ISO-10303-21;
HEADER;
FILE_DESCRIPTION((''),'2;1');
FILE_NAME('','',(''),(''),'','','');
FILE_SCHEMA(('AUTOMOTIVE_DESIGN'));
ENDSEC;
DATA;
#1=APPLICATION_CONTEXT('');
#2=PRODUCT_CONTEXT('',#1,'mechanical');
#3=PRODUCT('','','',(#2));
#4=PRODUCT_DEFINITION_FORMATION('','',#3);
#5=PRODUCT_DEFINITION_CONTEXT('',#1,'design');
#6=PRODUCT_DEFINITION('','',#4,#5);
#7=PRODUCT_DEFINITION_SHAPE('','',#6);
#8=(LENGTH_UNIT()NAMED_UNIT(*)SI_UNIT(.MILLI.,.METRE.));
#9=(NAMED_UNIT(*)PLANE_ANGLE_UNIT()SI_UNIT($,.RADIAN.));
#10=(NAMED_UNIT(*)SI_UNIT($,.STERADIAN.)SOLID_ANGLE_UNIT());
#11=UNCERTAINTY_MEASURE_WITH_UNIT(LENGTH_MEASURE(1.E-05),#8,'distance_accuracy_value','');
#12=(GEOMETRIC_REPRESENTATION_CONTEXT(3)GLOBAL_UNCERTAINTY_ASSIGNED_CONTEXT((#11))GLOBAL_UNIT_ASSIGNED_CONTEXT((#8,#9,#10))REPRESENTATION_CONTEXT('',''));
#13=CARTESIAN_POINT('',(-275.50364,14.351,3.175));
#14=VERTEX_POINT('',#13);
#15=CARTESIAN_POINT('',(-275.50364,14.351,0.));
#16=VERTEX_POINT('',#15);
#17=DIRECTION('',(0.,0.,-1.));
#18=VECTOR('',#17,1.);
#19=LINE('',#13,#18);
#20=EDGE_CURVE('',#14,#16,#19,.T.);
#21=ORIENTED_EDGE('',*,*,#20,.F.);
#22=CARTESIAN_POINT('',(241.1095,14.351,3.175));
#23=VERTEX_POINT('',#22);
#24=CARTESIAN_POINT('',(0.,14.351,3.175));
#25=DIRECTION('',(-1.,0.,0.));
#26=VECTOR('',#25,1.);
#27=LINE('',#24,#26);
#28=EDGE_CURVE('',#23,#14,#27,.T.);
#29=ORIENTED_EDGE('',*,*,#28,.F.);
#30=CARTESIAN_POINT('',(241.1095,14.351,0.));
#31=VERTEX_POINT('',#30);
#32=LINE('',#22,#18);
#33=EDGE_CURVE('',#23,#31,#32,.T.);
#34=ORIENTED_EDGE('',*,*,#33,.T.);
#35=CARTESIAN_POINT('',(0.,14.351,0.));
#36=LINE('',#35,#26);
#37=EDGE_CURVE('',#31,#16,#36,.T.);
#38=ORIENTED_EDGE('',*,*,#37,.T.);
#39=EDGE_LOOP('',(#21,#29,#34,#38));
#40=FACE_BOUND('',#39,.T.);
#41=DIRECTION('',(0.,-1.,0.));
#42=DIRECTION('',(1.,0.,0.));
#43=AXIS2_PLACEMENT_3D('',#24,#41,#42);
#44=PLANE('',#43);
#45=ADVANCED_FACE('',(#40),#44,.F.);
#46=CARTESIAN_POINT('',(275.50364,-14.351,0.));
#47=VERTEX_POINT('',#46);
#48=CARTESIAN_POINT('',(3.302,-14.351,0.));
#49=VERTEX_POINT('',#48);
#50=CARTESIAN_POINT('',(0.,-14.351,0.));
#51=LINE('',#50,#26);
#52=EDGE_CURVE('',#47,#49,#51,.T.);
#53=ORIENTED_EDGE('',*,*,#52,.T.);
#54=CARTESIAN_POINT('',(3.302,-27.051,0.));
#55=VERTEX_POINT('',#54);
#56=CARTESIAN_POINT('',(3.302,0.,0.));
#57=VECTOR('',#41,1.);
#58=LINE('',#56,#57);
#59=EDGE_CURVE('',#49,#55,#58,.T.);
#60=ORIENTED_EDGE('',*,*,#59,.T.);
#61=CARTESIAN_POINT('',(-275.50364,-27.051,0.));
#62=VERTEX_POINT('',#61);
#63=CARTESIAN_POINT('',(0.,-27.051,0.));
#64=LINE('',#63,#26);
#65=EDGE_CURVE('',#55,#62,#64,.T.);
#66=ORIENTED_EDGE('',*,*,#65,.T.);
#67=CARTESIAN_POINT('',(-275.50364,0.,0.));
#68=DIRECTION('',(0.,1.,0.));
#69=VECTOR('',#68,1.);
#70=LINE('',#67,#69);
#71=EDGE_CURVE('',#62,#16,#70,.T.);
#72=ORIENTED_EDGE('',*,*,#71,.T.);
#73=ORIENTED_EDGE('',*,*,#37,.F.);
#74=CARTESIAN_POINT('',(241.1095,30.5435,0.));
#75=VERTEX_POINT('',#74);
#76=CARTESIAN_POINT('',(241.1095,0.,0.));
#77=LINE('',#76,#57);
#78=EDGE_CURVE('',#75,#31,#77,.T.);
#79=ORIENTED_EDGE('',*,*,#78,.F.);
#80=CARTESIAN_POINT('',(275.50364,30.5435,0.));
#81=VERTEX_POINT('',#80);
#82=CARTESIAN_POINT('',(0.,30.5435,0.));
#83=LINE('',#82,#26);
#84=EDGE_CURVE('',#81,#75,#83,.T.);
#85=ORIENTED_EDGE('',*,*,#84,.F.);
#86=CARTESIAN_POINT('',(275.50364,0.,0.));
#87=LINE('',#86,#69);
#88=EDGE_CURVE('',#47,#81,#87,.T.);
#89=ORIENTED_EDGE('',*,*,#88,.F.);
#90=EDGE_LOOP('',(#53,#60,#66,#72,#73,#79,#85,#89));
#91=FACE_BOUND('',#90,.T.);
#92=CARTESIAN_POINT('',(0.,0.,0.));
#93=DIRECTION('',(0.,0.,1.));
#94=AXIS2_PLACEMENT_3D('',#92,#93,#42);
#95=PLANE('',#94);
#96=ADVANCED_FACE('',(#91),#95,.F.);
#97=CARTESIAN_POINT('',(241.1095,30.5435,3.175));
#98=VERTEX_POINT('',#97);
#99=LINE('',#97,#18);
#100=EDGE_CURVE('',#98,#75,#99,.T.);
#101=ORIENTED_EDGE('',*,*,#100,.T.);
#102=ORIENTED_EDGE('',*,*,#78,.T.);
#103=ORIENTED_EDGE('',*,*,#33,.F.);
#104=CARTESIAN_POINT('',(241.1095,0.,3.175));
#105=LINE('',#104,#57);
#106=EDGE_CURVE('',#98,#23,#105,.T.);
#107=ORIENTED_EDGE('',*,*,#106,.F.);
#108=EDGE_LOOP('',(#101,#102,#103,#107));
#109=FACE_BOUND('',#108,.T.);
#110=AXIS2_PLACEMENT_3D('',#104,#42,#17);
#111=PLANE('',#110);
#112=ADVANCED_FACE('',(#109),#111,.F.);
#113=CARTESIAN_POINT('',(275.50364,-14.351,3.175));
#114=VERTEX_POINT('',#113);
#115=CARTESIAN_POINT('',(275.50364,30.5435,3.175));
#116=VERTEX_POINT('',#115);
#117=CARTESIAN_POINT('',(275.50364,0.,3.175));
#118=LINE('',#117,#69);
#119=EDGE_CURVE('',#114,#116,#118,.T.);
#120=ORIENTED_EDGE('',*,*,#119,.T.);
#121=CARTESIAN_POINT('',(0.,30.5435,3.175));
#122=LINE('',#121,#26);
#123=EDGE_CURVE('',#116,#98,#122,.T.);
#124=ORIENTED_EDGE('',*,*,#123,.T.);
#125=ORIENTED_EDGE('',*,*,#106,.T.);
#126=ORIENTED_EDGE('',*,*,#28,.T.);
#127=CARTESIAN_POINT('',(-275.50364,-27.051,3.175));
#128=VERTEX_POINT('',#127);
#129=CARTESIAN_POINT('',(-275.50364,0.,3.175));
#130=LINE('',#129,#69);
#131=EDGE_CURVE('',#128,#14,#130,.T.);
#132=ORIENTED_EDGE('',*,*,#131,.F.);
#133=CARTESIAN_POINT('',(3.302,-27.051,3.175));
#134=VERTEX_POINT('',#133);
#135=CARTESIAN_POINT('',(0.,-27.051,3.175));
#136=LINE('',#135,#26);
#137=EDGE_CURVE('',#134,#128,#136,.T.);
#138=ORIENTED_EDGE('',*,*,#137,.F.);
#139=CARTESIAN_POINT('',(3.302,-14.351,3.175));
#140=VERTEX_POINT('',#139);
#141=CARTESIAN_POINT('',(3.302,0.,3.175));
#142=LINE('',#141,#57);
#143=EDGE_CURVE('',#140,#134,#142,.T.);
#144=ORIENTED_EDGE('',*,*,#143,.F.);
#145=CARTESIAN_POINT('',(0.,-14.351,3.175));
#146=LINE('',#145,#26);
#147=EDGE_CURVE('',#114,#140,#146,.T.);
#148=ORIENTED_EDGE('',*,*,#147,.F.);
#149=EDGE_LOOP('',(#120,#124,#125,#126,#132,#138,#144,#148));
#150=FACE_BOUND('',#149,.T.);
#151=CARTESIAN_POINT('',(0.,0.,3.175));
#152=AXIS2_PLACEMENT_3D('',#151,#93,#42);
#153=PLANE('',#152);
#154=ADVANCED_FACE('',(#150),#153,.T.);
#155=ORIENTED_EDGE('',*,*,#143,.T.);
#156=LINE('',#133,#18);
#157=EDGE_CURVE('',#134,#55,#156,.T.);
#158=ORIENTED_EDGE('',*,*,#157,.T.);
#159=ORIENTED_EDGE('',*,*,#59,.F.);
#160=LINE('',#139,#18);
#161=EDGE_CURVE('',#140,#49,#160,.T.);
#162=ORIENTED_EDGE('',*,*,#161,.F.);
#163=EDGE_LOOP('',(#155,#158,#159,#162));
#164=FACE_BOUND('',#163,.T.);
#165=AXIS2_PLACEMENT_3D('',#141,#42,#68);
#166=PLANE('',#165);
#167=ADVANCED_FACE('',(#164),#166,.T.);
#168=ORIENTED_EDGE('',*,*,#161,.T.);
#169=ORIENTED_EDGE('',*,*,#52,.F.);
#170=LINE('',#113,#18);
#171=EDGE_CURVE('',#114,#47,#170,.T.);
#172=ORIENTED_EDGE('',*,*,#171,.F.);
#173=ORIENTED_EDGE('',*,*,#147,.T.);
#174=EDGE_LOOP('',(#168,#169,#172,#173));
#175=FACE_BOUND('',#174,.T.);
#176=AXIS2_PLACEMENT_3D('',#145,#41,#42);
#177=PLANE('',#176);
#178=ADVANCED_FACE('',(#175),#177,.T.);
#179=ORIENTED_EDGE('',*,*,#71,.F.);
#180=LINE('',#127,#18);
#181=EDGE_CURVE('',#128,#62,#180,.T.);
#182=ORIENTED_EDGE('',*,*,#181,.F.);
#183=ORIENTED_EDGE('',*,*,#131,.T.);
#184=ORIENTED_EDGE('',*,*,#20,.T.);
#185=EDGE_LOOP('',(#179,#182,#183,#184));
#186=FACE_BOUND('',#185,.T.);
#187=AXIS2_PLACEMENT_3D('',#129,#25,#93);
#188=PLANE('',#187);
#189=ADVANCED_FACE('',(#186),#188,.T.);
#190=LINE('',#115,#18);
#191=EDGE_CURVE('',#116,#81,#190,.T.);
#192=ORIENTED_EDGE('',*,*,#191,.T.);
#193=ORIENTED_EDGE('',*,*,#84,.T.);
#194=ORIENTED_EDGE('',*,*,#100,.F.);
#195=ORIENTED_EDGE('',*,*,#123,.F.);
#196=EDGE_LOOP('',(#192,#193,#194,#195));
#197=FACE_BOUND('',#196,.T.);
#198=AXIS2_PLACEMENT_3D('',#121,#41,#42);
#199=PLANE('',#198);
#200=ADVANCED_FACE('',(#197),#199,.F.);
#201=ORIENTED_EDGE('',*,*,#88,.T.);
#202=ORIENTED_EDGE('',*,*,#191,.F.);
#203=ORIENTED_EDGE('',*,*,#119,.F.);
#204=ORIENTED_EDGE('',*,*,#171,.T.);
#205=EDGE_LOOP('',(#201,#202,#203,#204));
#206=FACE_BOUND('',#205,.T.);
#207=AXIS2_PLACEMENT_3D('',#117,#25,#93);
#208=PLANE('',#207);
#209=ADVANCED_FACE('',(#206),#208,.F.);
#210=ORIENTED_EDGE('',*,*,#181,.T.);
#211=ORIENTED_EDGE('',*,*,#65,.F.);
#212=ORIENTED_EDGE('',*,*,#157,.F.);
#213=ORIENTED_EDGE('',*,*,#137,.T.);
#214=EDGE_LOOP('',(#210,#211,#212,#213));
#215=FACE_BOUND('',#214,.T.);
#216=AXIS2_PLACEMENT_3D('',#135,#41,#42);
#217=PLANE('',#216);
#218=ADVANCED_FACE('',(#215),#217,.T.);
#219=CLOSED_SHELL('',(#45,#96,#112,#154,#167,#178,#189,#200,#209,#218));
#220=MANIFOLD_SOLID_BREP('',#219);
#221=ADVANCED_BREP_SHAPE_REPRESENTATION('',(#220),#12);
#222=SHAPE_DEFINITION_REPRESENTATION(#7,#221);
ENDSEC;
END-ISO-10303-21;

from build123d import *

# Parameters (mm, degrees)
BOSS_EXTRUDE1_DEPTH = 3.175


with BuildPart() as part:
    # Sketch1 → Boss-Extrude1 (new body)
    with BuildSketch(Plane.XY):
        Polygon((275.50364, 30.5435), (241.1095, 30.5435), (241.1095, 14.351), (-275.50364, 14.351), (-275.50364, -14.351), (-275.50364, -27.051), (3.302, -27.051), (3.302, -14.351), (241.1095, -14.351), (275.50364, -14.351), (275.50364, 14.351), align=None)
    extrude(amount=BOSS_EXTRUDE1_DEPTH)


solid = part.part
